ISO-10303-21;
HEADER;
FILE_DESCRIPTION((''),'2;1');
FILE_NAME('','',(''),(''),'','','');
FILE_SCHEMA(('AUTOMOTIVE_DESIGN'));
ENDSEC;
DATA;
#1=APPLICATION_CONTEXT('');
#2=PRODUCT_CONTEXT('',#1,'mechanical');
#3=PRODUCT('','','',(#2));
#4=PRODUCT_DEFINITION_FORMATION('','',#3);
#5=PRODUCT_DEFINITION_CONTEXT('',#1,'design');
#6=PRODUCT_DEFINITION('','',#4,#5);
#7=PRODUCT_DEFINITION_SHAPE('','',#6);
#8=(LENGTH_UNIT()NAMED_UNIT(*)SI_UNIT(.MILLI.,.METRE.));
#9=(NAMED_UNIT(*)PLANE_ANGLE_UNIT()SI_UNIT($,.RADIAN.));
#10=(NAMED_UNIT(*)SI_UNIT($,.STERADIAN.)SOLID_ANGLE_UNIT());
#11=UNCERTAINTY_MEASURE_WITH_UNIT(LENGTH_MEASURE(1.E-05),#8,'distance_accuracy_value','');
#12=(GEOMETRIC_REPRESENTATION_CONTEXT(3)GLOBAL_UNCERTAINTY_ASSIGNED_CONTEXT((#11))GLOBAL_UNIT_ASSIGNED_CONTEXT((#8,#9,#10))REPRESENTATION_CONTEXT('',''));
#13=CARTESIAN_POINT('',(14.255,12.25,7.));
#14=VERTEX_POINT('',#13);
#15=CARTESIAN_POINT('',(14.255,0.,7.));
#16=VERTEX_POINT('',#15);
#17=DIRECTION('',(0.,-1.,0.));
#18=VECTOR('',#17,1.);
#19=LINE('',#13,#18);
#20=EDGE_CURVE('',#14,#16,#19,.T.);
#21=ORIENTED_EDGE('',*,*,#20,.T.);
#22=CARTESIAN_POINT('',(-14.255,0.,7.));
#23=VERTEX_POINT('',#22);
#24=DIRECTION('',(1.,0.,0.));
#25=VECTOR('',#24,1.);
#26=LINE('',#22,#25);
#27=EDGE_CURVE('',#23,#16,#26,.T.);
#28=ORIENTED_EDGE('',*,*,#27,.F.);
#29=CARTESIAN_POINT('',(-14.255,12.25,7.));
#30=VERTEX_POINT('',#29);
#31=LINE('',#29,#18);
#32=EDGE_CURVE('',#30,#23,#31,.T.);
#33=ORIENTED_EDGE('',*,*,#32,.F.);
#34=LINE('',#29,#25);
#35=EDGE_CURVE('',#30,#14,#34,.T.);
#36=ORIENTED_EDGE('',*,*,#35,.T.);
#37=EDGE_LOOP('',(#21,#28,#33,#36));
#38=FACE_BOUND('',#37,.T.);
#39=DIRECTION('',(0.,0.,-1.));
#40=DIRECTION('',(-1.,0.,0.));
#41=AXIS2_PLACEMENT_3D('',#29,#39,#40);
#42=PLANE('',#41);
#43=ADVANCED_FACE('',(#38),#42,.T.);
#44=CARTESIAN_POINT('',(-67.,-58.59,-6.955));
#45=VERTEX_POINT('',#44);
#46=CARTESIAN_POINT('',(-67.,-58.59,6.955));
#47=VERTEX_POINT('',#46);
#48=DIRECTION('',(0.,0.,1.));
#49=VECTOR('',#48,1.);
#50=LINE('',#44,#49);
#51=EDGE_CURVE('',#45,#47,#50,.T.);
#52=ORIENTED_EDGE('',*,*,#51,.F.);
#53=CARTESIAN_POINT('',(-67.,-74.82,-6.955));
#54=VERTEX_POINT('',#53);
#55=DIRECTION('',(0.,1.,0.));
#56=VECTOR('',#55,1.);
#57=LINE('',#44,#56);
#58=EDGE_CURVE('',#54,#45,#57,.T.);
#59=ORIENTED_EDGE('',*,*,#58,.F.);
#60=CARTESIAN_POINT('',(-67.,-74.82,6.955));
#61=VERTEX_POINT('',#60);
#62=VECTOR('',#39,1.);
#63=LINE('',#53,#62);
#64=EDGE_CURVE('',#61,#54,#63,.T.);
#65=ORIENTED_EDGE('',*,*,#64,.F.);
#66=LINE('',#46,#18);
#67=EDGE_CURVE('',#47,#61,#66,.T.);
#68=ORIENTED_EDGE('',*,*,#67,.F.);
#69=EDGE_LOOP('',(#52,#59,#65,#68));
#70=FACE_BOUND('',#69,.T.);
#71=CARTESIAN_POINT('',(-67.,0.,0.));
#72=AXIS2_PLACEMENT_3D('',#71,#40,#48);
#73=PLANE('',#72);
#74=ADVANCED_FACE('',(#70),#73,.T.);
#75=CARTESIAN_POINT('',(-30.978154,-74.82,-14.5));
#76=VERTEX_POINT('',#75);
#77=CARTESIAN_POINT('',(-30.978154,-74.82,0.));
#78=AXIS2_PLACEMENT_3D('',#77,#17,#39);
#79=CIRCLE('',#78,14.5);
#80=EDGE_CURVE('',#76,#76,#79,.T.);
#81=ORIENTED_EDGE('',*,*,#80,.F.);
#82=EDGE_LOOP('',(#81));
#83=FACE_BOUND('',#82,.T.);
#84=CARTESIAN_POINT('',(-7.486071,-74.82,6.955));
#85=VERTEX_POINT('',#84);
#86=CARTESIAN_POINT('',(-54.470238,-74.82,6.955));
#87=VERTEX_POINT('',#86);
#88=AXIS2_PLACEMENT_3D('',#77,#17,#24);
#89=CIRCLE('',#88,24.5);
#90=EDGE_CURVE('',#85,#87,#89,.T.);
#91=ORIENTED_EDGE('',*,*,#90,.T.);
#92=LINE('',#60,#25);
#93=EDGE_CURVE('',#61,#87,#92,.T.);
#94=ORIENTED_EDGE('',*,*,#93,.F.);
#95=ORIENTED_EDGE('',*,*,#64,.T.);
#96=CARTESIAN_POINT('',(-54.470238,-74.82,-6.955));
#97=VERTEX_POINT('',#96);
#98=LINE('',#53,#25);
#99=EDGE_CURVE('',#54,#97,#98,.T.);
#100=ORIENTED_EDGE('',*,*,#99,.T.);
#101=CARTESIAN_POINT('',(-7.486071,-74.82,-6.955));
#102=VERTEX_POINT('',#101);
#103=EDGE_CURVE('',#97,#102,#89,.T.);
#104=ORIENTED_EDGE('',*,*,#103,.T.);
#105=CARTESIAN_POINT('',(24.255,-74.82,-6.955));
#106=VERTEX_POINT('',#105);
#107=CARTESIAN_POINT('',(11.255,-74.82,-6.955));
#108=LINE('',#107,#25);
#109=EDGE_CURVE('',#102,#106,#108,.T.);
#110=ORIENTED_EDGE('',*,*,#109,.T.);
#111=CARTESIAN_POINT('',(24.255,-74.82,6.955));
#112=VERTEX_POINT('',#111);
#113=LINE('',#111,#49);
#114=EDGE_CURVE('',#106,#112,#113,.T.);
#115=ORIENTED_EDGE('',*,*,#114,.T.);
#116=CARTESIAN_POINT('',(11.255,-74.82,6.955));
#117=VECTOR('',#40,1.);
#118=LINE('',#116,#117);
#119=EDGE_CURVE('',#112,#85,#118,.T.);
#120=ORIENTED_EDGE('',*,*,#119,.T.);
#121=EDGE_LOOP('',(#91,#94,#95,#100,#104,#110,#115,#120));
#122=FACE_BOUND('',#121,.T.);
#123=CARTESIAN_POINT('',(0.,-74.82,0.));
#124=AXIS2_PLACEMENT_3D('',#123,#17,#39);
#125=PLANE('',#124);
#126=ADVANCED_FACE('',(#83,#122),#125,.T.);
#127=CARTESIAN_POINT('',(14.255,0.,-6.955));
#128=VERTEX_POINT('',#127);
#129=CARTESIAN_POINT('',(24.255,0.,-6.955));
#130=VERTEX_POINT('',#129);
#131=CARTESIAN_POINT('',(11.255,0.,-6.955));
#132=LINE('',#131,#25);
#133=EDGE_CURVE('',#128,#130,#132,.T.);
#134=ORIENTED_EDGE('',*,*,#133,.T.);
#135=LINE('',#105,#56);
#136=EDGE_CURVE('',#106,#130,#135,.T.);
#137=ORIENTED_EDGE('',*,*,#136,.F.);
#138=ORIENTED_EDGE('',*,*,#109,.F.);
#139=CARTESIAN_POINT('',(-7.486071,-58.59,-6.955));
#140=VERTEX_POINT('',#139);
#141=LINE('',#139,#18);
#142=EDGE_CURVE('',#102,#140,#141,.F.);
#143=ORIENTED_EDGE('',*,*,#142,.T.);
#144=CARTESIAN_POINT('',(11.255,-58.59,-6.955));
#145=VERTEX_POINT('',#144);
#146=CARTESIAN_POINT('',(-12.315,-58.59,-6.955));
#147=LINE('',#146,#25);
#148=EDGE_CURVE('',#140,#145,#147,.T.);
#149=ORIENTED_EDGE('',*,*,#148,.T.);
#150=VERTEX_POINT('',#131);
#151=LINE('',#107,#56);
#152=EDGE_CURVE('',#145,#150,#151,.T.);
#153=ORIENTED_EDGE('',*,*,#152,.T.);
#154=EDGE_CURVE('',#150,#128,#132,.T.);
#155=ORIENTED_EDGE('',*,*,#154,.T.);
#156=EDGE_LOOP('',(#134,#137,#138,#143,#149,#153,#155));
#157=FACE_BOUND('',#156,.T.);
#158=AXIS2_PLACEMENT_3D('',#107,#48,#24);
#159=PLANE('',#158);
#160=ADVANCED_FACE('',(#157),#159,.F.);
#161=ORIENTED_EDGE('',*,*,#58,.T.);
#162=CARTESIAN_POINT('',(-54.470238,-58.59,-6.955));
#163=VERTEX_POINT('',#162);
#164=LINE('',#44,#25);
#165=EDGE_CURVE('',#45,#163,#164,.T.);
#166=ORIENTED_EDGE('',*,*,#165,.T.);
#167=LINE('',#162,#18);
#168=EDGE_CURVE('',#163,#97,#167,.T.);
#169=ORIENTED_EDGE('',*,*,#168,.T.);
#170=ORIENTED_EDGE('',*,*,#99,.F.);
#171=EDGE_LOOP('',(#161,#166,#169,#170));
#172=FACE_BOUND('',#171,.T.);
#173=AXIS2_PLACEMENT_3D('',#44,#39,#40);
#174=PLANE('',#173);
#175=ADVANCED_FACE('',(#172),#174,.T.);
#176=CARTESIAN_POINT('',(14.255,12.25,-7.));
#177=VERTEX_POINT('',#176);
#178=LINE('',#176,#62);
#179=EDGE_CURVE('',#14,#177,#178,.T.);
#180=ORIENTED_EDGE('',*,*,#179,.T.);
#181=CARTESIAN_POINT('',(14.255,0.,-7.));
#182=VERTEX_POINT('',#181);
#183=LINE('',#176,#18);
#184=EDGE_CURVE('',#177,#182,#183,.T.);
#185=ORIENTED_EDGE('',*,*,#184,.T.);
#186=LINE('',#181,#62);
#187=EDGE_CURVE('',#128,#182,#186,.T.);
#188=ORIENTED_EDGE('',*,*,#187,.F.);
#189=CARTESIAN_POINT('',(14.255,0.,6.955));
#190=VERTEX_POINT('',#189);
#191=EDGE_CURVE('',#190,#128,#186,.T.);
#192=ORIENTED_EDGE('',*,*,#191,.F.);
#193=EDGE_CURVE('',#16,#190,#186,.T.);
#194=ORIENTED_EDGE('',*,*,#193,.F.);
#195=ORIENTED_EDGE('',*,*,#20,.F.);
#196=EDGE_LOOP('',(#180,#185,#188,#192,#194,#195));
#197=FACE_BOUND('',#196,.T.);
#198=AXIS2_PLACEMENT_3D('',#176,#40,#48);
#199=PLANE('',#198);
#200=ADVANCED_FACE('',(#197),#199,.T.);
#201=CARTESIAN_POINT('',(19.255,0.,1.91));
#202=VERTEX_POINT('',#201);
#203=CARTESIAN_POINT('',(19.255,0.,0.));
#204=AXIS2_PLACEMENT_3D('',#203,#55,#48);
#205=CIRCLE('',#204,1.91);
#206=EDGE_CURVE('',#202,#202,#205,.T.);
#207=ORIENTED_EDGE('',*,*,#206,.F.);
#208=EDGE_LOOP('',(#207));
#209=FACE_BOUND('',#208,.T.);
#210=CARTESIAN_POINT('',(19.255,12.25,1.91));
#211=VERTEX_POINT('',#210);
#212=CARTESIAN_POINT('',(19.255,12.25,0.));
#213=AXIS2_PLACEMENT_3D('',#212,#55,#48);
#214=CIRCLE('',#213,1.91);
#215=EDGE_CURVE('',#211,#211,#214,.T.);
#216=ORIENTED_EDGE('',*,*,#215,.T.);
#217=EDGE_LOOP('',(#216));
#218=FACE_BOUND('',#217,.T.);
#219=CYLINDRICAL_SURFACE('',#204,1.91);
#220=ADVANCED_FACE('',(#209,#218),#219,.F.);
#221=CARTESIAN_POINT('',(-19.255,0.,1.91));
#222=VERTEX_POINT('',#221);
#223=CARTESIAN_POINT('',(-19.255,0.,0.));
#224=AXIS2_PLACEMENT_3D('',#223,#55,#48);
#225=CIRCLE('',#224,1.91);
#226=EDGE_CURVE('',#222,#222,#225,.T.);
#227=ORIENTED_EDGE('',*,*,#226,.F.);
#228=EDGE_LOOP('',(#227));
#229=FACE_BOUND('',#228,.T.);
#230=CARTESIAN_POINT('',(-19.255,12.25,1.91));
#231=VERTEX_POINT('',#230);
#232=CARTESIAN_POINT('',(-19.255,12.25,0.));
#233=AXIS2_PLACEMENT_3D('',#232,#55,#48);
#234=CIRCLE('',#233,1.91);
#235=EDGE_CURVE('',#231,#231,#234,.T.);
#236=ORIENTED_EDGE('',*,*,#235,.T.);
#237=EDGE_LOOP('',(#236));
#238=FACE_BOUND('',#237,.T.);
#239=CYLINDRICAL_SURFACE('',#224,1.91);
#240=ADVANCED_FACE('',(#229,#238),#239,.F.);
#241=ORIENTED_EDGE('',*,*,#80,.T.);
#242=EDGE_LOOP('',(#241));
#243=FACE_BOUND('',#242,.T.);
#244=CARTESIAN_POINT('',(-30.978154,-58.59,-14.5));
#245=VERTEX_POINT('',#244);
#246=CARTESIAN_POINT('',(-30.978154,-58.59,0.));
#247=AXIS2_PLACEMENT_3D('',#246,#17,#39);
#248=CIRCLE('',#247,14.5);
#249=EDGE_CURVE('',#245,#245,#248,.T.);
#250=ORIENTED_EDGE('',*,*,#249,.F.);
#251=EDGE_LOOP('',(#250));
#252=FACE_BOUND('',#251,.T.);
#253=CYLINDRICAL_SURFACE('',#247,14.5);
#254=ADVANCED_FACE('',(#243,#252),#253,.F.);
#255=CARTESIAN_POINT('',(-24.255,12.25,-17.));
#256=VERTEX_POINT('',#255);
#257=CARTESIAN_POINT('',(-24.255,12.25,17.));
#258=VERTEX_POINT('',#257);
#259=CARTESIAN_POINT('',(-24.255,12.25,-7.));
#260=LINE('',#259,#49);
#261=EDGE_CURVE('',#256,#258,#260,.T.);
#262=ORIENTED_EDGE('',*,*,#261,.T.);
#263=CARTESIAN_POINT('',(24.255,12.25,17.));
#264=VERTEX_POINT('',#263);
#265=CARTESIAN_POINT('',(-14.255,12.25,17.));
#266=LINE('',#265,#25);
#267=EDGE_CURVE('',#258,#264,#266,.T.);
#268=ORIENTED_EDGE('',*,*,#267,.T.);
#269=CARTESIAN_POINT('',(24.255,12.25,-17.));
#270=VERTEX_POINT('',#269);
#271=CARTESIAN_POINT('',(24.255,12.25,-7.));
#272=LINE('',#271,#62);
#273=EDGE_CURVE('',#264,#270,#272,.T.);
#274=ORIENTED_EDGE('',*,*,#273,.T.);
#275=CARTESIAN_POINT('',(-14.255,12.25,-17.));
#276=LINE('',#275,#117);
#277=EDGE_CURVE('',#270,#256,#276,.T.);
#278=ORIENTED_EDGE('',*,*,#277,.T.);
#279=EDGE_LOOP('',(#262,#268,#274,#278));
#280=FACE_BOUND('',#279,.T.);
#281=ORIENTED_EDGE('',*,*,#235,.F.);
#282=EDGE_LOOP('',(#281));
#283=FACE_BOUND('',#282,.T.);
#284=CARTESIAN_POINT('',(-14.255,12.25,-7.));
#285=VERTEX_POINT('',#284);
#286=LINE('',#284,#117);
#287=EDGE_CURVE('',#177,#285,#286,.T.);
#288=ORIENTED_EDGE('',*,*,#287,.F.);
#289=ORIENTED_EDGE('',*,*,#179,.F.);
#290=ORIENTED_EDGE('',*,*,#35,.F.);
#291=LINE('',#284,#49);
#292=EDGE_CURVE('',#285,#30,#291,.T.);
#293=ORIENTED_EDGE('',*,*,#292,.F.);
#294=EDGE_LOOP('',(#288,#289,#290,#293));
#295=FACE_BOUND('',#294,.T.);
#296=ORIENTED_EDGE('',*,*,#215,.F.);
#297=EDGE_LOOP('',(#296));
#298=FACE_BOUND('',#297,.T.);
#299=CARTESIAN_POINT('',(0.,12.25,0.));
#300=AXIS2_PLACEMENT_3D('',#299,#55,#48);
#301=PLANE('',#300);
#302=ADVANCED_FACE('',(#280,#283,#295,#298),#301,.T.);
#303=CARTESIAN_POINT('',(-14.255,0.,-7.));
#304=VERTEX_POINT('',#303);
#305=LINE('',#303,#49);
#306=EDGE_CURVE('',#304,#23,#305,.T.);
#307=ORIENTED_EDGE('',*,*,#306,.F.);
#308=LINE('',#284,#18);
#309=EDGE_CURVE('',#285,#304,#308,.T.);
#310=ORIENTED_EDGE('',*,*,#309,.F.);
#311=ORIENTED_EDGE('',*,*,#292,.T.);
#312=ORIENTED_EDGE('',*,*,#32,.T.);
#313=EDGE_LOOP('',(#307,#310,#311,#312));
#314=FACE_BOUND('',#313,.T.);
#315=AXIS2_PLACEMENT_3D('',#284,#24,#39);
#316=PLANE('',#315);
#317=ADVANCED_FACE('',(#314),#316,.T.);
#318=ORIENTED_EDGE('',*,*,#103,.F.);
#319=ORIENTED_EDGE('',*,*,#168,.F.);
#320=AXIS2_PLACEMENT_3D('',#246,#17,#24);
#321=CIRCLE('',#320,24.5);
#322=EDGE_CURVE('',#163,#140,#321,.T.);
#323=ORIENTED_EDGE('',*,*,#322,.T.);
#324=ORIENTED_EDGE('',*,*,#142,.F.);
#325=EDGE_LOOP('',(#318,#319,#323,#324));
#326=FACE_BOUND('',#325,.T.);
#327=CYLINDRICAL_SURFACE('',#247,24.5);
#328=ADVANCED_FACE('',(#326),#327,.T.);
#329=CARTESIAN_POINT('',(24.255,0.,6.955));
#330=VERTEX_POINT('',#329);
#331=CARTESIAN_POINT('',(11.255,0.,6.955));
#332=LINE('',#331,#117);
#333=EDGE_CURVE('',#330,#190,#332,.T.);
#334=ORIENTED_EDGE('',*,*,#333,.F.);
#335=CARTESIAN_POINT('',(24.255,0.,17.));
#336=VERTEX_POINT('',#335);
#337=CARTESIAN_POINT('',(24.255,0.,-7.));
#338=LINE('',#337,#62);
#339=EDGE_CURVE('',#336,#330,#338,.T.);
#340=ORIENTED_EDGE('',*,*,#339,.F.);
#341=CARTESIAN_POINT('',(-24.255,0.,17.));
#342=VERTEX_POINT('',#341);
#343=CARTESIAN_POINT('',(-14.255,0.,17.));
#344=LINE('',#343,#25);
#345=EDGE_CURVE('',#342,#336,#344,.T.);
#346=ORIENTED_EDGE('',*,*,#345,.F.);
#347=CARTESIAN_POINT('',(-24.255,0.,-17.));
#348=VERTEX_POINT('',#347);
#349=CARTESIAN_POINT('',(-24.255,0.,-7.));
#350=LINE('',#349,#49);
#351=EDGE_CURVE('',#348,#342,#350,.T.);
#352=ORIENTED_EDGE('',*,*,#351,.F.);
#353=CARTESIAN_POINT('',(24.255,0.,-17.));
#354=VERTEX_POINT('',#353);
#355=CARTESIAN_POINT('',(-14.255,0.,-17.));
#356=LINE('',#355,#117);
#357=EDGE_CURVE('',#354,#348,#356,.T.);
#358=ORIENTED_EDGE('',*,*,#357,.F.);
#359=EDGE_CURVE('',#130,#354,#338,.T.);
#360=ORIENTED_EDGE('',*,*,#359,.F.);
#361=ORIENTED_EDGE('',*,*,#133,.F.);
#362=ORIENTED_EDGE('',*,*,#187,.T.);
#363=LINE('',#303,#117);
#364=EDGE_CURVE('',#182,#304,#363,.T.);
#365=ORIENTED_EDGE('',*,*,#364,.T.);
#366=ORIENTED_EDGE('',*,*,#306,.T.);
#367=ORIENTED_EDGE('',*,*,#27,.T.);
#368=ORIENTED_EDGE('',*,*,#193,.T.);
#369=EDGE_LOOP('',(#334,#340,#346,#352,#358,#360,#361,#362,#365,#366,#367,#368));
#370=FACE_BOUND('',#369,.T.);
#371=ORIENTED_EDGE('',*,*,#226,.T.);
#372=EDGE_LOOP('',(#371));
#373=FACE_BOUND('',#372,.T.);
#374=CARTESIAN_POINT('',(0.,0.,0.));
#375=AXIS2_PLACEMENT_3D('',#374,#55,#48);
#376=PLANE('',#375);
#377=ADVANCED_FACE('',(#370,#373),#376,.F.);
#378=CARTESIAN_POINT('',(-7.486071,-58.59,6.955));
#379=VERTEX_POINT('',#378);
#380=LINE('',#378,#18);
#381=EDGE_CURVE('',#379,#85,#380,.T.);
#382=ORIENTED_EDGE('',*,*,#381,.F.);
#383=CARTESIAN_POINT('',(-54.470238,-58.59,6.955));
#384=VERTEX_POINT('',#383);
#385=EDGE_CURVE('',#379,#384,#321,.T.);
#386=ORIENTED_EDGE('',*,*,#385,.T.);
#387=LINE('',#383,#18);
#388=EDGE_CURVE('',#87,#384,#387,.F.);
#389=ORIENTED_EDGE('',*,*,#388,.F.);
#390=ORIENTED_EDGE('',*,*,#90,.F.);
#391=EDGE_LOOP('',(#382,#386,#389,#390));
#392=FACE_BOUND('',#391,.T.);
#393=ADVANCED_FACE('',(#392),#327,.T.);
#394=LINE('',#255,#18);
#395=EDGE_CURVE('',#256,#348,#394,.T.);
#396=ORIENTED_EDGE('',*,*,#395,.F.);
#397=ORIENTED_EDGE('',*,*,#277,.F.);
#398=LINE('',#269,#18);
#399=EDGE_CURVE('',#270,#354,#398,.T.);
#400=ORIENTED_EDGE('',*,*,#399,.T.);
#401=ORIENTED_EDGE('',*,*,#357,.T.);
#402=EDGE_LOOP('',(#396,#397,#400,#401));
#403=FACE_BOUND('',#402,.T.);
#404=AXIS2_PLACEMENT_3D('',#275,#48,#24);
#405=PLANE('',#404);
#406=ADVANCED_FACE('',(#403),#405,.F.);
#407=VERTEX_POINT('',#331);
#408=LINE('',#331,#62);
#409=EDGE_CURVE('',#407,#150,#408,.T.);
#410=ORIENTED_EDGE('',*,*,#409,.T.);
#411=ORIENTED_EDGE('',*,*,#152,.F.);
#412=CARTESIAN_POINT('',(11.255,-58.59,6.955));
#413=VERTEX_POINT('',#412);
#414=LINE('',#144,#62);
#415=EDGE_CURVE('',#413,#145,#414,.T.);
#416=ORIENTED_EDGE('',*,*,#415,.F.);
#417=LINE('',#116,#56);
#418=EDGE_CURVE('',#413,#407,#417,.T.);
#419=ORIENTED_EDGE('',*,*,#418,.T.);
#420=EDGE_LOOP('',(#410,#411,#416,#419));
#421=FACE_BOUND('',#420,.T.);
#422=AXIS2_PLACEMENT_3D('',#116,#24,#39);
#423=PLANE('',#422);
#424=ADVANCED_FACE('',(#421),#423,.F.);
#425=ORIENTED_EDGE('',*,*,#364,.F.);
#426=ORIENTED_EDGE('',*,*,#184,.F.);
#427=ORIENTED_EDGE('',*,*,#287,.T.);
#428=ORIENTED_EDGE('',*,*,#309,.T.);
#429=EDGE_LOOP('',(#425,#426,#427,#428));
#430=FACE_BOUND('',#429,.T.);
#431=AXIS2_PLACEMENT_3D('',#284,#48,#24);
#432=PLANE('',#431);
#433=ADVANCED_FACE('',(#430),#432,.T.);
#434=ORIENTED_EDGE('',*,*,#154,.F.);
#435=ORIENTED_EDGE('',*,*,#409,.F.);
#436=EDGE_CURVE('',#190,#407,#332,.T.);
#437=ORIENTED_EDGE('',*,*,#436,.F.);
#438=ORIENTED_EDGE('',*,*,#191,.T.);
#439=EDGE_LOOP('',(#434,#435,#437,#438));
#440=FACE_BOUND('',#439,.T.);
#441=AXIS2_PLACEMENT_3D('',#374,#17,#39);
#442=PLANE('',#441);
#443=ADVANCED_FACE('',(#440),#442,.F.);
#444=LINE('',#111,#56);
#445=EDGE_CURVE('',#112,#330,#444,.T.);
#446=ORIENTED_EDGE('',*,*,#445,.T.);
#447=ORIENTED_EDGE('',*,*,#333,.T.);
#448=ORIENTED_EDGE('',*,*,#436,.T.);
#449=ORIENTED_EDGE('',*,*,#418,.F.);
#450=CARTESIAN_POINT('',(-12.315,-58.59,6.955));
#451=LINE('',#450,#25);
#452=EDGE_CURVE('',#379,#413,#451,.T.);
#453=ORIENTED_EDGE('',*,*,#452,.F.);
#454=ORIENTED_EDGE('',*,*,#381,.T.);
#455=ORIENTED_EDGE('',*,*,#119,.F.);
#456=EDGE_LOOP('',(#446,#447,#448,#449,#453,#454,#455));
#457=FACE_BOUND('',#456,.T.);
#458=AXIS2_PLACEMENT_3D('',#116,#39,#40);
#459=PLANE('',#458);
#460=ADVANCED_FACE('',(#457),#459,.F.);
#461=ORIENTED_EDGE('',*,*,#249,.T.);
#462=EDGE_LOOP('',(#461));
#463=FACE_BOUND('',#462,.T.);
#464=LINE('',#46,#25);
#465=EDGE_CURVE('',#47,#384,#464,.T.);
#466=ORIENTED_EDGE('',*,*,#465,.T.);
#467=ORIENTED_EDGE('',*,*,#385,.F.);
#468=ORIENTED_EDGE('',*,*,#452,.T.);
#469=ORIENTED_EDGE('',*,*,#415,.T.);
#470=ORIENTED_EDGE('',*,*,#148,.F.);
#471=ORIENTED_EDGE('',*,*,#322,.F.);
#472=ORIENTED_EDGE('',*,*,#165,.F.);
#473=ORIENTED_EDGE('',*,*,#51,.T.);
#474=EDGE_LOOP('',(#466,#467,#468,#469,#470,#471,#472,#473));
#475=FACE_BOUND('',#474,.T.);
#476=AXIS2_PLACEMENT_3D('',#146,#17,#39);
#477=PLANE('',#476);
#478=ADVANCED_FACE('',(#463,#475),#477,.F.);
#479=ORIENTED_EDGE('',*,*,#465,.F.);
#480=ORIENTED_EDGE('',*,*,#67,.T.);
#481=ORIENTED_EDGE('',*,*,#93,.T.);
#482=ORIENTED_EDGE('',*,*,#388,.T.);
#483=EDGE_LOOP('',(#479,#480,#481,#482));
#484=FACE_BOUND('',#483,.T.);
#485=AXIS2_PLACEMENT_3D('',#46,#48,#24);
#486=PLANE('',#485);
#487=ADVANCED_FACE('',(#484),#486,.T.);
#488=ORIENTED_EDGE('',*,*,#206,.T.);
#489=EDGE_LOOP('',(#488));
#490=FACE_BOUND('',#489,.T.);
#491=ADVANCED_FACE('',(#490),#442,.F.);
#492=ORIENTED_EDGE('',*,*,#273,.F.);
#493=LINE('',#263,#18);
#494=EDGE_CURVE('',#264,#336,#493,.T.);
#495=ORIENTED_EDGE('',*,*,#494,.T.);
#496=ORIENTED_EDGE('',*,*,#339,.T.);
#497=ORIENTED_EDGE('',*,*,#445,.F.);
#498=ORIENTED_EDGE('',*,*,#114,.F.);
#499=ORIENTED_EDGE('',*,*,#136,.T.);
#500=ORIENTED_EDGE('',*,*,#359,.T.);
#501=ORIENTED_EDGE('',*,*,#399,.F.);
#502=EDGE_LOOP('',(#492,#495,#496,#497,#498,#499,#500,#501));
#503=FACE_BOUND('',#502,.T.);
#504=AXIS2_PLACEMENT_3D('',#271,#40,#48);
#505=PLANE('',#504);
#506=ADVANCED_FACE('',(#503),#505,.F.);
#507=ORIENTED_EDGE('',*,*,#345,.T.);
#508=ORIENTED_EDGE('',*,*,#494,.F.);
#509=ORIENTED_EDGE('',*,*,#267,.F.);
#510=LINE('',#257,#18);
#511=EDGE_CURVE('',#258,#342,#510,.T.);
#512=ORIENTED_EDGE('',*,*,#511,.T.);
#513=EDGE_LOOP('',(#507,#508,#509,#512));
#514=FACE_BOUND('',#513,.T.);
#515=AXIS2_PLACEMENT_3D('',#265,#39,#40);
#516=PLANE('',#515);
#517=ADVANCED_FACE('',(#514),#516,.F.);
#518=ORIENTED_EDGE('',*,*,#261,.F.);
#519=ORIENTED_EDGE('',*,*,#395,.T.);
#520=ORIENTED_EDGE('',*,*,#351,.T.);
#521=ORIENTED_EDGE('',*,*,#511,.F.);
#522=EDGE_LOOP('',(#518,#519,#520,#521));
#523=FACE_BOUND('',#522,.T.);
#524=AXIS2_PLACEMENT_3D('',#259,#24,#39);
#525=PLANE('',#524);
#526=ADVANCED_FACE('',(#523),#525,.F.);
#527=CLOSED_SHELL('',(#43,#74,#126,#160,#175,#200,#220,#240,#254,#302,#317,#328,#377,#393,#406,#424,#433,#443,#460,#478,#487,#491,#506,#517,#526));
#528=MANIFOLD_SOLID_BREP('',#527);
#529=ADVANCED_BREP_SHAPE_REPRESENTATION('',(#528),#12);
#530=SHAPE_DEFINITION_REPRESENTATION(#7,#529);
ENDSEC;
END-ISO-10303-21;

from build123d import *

# Parameters (mm, degrees)
SKETCH_1_W           = 48.51
SKETCH_1_H           = 34
SKETCH_1_W_2         = 28.51
SKETCH_1_H_2         = 14
EXTRUDE_1_DEPTH      = 12.25
SKETCH_2_R           = 1.91
CUT_EXTRUDE_1_DEPTH  = 33.05257439
SKETCH_4_W           = 13
SKETCH_4_H           = 13.91
EXTRUDE_1_2_DEPTH    = 74.82
SKETCH_5_W           = 13.91
SKETCH_5_H           = 16.23
EXTRUDE_2_DEPTH      = 23.57
SKETCH_7_R           = 24.5
SKETCH_7_R_2         = 14.5
EXTRUDE_2_2_DEPTH    = 16.23
EXTRUDE_3_DEPTH      = 13.15
EXTRUDE_3_DEPTH_BACK = 7
SKETCH_9_W           = 13.91
SKETCH_9_H           = 16.23


with BuildPart() as part:
    # 草圖1 → Extrude 1 (new body)
    with BuildSketch(Plane(origin=(0, 0, 0), x_dir=(1, 0, 0), z_dir=(0, 1, 0))):
        Rectangle(SKETCH_1_W, SKETCH_1_H)
        Rectangle(SKETCH_1_W_2, SKETCH_1_H_2, mode=Mode.SUBTRACT)
    extrude(amount=EXTRUDE_1_DEPTH)

    # 草圖2 → 除料-伸長1 (cut, through all)
    with BuildSketch(Plane(origin=(0, 12.25, 0), x_dir=(1, 0, 0), z_dir=(0, 1, 0))):
        with Locations(Location((-19.255, 0, 0), (0, 0, 270))):
            Circle(SKETCH_2_R)
        with Locations(Location((19.255, 0, 0), (0, 0, 270))):
            Circle(SKETCH_2_R)
    extrude(amount=-CUT_EXTRUDE_1_DEPTH, mode=Mode.SUBTRACT)

    # 草圖4 → Extrude 1 2 (add)
    with BuildSketch(Plane.XZ):
        with Locations((17.755, 0)):
            Rectangle(SKETCH_4_W, SKETCH_4_H)
    extrude(amount=EXTRUDE_1_2_DEPTH)

    # 草圖5 → Extrude 2 (add)
    with BuildSketch(Plane.ZY.offset(-11.255)):
        with Locations((0, -66.705)):
            Rectangle(SKETCH_5_W, SKETCH_5_H)
    extrude(amount=EXTRUDE_2_DEPTH)

    # 草圖7 → Extrude 2 2 (add)
    with BuildSketch(Plane.XZ.offset(74.82)):
        with Locations((-30.978154344, 0)):
            Circle(SKETCH_7_R)
        with Locations((-30.978154344, 0)):
            Circle(SKETCH_7_R_2, mode=Mode.SUBTRACT)
    extrude(amount=-EXTRUDE_2_2_DEPTH)

    # 草圖9 → 填料-伸長3 (add, two sides: drawn at the far end of the back side and taken through both)
    with BuildSketch(Plane(origin=(-60, 0, 0), x_dir=(0, 0, -1), z_dir=(1, 0, 0)).offset(-EXTRUDE_3_DEPTH_BACK)):
        with Locations((0, -66.705)):
            Rectangle(SKETCH_9_W, SKETCH_9_H)
    extrude(amount=EXTRUDE_3_DEPTH + EXTRUDE_3_DEPTH_BACK)


solid = part.part
